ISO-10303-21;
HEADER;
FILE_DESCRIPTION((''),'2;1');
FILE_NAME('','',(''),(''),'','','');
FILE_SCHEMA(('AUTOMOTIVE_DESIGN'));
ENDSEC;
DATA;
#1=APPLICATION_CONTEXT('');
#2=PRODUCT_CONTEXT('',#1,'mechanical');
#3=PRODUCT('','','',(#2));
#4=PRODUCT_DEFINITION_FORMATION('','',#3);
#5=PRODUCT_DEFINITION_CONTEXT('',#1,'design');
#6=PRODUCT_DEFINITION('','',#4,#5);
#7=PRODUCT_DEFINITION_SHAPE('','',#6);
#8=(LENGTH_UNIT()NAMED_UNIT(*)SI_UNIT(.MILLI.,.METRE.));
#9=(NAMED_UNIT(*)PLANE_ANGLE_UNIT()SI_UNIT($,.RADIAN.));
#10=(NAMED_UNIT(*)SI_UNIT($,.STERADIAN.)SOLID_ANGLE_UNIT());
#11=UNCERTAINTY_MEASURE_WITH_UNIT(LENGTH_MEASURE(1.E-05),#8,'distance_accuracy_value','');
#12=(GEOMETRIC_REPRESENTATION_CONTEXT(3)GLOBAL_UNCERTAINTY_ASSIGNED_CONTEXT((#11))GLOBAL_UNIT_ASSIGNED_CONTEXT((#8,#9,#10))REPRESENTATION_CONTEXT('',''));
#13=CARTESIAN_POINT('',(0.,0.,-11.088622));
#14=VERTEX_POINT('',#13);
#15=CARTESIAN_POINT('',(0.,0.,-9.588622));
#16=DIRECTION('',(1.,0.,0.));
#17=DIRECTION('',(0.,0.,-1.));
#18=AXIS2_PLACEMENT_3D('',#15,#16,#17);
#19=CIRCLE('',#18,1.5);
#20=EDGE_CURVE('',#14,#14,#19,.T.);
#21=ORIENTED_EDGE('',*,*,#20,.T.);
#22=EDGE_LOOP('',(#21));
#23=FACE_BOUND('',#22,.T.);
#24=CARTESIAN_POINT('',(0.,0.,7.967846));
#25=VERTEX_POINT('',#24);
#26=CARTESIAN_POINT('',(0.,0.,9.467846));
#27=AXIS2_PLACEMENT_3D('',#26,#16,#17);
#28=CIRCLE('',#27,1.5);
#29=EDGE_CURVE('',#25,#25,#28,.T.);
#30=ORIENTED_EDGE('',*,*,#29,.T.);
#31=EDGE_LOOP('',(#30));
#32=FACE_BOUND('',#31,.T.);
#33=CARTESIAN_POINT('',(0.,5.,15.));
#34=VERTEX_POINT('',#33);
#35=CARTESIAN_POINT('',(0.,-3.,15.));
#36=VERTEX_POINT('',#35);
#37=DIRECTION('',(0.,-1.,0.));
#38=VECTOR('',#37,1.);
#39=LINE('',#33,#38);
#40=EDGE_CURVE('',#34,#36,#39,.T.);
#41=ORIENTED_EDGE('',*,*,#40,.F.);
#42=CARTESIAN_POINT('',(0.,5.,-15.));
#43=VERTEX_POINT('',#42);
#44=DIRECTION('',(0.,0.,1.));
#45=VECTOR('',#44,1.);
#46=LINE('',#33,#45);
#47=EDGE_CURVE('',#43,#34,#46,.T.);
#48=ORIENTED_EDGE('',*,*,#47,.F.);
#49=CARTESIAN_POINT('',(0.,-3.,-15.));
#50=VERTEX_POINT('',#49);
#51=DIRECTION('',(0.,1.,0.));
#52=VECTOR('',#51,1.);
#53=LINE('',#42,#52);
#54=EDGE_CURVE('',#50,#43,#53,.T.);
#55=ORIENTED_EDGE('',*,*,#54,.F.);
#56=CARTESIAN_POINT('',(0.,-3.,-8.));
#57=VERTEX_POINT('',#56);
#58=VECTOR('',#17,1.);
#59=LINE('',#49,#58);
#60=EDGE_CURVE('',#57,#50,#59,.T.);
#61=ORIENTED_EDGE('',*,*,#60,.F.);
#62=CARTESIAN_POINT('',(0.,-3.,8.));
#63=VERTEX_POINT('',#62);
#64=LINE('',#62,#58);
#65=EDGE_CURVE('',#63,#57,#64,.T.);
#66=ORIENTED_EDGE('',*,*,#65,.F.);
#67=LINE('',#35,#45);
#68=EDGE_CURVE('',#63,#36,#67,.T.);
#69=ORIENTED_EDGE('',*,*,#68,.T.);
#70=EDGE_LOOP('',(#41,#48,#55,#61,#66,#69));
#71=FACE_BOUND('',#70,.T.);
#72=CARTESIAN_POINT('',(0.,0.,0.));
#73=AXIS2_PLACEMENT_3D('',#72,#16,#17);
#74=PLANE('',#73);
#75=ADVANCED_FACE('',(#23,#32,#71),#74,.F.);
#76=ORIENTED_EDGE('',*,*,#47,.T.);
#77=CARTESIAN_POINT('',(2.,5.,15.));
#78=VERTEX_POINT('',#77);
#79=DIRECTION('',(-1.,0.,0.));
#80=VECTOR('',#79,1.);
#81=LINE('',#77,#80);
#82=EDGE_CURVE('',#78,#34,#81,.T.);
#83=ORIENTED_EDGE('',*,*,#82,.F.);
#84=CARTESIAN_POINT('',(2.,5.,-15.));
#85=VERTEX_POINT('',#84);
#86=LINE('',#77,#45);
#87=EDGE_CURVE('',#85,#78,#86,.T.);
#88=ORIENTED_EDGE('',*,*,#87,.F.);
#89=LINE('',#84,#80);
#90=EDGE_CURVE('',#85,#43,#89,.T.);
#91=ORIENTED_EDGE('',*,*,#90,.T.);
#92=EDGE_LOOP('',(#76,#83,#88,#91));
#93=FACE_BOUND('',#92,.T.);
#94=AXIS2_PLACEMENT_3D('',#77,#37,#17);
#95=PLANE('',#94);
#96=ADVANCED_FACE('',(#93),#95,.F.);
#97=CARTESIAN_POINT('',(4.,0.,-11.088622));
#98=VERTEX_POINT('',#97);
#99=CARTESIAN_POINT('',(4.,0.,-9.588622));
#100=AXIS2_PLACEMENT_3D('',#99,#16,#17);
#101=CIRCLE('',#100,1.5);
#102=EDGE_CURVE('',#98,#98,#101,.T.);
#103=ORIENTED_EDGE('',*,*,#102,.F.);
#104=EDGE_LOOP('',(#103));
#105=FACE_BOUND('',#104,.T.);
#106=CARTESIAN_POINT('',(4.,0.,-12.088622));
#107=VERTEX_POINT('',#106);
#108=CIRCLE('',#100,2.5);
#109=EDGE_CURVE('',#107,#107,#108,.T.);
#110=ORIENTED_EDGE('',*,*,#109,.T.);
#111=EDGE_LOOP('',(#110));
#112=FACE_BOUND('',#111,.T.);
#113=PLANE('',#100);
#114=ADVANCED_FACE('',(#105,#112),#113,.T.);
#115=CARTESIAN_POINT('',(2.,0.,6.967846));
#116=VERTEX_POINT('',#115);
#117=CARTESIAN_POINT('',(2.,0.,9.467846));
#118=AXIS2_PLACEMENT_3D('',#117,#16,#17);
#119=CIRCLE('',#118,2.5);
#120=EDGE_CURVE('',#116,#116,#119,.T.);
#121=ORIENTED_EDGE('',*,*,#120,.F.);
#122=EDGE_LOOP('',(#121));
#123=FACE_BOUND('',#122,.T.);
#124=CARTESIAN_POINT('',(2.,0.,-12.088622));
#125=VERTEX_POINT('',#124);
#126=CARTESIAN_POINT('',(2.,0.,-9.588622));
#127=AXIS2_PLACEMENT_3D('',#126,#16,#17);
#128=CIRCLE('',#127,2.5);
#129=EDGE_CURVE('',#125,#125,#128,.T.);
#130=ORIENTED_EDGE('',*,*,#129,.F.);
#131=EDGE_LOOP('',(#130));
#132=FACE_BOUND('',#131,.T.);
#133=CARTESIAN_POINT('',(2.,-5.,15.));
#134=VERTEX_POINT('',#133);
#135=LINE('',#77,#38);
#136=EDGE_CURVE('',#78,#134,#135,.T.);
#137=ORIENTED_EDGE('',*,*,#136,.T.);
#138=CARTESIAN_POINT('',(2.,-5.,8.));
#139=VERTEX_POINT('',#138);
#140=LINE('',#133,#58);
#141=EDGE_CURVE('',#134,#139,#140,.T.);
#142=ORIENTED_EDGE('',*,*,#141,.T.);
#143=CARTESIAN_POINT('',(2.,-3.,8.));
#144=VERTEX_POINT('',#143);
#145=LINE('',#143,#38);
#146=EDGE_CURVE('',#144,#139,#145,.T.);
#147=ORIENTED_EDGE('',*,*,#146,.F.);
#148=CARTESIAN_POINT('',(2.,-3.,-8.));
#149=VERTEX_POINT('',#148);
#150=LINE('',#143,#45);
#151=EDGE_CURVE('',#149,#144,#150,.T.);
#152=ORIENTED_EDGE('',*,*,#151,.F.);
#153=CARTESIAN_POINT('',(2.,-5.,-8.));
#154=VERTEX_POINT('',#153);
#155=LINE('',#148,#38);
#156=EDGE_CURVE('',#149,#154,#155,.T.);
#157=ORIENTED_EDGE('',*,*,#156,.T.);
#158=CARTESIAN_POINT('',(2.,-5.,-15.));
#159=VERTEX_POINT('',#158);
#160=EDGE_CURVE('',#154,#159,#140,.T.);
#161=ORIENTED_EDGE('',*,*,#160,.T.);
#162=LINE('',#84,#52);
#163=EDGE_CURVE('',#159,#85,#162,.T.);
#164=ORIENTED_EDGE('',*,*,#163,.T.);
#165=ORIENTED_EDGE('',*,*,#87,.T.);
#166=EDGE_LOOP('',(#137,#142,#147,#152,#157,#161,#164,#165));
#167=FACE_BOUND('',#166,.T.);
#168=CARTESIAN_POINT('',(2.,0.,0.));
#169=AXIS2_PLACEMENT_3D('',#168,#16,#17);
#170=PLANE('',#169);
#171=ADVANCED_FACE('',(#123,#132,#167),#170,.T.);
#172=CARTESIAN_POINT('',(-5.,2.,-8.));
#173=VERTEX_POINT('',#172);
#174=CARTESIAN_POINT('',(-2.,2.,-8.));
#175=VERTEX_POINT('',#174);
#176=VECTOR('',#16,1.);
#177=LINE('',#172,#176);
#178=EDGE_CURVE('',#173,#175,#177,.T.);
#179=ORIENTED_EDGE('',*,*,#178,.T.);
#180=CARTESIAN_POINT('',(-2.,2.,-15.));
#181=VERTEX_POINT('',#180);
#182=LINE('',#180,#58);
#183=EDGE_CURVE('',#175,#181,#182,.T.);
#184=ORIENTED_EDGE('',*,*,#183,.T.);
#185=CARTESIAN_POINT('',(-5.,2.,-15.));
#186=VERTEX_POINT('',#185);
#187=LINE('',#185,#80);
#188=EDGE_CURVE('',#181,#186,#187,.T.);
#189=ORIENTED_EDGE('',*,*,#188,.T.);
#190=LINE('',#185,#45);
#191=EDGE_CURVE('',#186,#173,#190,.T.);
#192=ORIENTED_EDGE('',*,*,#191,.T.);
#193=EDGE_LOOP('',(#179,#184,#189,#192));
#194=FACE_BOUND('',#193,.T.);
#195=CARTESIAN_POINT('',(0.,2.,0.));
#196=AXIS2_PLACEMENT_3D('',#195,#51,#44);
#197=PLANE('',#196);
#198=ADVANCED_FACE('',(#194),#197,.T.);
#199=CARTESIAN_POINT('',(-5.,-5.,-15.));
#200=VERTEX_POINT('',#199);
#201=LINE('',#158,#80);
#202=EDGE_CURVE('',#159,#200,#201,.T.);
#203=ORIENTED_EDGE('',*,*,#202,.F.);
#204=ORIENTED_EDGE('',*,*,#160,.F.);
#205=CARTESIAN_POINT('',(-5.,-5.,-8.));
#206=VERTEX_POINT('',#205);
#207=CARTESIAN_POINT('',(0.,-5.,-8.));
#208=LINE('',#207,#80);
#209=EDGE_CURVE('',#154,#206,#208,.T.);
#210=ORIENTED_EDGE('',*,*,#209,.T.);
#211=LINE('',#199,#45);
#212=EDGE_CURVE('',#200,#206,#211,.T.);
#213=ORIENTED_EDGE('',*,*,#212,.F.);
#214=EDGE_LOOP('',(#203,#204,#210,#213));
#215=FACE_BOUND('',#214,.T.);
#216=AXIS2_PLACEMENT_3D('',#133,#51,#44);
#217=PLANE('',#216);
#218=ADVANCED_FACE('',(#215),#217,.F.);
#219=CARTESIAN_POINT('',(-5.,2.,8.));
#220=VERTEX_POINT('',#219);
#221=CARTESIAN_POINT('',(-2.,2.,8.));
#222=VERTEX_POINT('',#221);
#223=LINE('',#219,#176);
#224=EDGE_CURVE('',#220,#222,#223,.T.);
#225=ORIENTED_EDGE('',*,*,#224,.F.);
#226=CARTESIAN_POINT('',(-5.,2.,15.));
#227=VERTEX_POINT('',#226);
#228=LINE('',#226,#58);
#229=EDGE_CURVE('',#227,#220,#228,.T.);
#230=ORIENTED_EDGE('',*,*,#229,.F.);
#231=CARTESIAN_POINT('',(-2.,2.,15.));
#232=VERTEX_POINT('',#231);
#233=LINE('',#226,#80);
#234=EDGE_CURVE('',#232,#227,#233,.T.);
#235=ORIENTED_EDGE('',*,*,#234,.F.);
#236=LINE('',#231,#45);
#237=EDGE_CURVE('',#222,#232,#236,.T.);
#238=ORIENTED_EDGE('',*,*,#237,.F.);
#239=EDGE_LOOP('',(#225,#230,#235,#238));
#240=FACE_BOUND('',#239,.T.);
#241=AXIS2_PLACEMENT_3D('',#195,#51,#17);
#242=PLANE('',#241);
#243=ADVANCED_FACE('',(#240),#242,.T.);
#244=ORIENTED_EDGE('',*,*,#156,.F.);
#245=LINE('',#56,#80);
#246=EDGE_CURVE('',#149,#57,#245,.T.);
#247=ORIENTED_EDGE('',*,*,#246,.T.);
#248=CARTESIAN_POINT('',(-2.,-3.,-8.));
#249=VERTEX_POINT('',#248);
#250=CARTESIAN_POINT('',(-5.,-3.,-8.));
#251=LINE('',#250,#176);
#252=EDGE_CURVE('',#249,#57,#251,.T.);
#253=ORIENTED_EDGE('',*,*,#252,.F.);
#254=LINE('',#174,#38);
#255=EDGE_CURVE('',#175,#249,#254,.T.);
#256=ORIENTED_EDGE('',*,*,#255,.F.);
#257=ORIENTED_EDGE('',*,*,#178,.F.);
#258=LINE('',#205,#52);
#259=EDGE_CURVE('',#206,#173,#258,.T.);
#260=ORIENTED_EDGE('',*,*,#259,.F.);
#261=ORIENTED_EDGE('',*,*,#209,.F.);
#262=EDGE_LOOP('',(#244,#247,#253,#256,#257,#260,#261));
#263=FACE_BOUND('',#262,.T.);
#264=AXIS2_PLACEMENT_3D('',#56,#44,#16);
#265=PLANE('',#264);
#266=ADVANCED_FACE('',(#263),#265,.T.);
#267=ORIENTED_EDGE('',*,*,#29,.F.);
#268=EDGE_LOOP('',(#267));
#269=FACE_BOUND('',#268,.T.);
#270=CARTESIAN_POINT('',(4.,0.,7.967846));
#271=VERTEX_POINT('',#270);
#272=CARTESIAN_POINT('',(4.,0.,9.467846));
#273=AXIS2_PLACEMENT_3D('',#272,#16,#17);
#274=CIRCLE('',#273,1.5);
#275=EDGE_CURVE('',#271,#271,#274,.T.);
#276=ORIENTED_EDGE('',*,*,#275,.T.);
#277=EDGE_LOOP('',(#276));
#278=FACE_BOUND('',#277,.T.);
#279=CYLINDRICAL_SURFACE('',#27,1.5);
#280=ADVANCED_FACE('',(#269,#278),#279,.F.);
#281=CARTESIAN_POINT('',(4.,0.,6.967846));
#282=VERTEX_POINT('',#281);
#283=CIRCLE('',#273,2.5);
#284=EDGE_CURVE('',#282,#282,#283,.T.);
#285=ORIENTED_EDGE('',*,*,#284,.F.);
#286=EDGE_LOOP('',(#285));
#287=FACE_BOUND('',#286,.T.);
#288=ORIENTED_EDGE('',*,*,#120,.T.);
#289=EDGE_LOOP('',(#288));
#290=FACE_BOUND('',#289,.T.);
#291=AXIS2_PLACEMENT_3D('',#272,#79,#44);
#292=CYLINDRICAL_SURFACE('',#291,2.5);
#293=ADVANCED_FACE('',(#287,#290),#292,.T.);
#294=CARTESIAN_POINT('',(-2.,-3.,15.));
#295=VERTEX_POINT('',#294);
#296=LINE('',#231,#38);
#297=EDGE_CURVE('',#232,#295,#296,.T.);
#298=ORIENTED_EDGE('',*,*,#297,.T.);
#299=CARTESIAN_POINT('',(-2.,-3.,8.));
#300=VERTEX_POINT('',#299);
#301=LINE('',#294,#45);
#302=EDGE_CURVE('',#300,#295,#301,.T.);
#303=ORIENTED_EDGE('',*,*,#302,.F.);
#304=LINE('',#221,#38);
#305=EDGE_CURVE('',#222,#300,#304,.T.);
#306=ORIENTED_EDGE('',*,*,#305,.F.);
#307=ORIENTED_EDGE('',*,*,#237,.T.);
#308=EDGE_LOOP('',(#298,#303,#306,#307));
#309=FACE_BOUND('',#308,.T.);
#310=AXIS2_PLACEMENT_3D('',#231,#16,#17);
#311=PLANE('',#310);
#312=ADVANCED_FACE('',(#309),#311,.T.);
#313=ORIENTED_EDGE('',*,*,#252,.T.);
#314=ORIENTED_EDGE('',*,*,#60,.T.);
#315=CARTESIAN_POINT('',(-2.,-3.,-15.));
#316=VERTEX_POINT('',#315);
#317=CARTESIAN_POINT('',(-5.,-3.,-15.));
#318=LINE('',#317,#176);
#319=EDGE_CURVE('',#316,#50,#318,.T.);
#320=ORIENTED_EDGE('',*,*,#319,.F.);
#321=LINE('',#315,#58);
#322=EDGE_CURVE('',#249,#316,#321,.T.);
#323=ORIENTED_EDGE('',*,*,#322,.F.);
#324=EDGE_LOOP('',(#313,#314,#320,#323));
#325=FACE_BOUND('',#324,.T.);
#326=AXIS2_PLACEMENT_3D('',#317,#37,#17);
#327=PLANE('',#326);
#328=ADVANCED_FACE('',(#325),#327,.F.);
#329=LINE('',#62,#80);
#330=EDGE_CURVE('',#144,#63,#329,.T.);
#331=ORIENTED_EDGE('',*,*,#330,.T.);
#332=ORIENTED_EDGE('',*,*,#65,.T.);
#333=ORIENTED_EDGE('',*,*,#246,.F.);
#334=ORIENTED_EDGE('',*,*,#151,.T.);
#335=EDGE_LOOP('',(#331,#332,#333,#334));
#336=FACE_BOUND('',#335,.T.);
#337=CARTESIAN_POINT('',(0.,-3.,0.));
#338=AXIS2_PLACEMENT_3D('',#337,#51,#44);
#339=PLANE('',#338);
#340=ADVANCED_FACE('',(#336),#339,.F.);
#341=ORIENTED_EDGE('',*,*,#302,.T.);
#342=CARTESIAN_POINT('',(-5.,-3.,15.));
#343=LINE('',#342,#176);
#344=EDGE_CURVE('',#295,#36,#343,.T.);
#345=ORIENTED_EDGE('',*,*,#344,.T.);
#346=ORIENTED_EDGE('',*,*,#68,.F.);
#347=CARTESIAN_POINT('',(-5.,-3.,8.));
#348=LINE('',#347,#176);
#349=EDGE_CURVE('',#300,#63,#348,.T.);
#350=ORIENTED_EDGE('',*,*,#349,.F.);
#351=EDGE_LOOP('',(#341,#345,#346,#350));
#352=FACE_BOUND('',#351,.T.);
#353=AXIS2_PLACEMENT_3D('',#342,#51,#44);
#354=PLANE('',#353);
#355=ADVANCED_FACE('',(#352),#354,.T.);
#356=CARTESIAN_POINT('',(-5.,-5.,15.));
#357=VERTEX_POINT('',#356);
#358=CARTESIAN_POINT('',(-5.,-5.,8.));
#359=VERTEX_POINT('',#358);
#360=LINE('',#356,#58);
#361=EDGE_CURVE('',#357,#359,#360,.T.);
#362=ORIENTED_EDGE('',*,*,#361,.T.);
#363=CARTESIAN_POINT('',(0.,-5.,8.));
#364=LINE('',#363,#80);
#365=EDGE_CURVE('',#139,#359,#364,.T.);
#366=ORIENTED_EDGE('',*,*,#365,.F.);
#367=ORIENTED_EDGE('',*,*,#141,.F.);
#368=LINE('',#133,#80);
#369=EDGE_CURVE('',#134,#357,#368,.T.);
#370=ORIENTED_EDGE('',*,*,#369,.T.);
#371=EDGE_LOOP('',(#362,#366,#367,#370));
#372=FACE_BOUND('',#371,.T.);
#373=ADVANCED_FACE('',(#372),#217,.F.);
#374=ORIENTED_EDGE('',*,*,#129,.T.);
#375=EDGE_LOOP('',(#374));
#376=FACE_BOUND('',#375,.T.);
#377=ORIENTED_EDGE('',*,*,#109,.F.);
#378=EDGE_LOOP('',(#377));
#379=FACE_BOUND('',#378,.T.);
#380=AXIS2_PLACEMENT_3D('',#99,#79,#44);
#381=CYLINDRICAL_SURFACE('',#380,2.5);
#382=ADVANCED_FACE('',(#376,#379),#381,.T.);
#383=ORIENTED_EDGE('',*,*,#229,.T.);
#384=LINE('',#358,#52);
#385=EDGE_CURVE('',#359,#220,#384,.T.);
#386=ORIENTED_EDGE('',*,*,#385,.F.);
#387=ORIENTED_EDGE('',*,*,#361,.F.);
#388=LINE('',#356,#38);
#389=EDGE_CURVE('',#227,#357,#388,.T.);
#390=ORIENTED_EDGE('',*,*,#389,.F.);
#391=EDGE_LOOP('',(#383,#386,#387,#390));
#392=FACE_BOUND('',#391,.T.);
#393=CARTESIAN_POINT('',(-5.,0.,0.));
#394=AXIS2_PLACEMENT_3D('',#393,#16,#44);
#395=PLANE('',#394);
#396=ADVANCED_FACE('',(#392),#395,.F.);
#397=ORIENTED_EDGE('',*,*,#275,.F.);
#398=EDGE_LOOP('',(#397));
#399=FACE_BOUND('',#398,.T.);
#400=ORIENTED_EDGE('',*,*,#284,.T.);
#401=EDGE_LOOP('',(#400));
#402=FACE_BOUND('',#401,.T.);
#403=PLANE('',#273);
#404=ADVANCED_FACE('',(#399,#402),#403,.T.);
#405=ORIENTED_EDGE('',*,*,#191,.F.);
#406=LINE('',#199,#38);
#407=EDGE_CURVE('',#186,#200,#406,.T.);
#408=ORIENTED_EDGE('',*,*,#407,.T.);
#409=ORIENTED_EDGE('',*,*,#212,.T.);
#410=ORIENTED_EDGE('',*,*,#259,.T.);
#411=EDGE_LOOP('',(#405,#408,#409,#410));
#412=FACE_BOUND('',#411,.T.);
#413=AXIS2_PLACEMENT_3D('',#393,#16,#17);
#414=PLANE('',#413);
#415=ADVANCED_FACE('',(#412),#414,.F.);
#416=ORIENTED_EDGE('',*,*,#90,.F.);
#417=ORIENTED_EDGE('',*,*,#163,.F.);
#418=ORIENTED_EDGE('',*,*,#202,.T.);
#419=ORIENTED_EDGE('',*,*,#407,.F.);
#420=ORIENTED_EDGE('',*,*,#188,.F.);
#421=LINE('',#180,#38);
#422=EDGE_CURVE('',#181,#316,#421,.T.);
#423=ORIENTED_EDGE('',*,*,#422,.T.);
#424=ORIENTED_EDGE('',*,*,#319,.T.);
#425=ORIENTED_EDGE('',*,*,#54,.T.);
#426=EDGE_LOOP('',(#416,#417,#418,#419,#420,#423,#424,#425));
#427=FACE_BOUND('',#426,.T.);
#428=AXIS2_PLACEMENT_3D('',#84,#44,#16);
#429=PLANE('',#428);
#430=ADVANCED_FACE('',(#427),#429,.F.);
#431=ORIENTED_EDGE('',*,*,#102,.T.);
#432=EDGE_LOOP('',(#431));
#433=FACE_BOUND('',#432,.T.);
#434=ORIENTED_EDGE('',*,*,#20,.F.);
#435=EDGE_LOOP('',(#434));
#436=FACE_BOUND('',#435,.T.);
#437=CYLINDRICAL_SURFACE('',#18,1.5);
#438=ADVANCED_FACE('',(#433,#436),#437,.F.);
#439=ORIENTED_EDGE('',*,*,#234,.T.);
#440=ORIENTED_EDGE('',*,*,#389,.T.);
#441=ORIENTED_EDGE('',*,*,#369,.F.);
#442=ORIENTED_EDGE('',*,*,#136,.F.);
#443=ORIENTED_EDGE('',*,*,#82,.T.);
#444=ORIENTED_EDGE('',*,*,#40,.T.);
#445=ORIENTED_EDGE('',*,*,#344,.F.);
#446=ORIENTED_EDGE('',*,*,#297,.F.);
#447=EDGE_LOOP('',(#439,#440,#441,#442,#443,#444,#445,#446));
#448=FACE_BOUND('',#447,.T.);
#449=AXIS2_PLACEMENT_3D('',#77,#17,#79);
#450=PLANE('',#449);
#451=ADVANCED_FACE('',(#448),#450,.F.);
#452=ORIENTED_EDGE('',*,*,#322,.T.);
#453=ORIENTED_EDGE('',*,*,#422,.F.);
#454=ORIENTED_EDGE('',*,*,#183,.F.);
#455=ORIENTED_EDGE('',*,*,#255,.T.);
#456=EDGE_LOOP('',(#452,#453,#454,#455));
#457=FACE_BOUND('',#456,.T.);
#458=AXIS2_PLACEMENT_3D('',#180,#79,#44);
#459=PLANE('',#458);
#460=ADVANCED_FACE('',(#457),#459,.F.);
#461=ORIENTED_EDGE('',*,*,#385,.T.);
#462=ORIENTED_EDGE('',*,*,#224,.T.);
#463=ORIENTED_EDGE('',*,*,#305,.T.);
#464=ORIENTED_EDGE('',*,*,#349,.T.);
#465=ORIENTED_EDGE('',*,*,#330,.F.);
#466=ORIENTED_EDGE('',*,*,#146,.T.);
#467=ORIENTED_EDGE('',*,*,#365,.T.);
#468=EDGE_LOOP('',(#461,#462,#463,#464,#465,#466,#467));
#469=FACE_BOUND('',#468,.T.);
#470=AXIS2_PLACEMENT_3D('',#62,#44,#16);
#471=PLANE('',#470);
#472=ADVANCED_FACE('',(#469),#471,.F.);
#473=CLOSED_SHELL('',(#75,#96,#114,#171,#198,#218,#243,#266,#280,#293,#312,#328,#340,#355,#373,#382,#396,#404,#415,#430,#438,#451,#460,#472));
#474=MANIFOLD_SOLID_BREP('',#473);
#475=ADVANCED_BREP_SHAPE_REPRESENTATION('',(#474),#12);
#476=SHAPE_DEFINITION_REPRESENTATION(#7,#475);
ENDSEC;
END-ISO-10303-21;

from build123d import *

# Parameters (mm, degrees)
ESQUISSE1_W             = 30
ESQUISSE1_H             = 10
BOSS_EXTRU_1_DEPTH      = 2
ESQUISSE2_R             = 2.5
BOSS_EXTRU_2_DEPTH      = 2
ESQUISSE3_R             = 1.5
ENL_V_MAT_EXTRU_1_DEPTH = 17.30950643
ESQUISSE4_R             = 1.5
ENL_V_MAT_EXTRU_2_DEPTH = 17.30950643
ESQUISSE7_W             = 2
ESQUISSE7_H             = 8
ENL_V_MAT_EXTRU_3_DEPTH = 2
ESQUISSE8_W             = 7
ESQUISSE8_H             = 2
BOSS_EXTRU_3_DEPTH      = 5
ESQUISSE12_W            = 3
ESQUISSE12_H            = 7
BOSS_EXTRU_4_DEPTH      = 5


with BuildPart() as part:
    # Esquisse1 → Boss.-Extru.1 (new body)
    with BuildSketch(Plane(origin=(0, 0, 0), x_dir=(0, 0, -1), z_dir=(1, 0, 0))):
        Rectangle(ESQUISSE1_W, ESQUISSE1_H)
    extrude(amount=BOSS_EXTRU_1_DEPTH)

    # Esquisse2 → Boss.-Extru.2 (add)
    with BuildSketch(Plane(origin=(2, 0, 0), x_dir=(0, 0, -1), z_dir=(1, 0, 0))):
        with Locations((-9.467846224, 0)):
            Circle(ESQUISSE2_R)
        with Locations((9.588622493, 0)):
            Circle(ESQUISSE2_R)
    extrude(amount=BOSS_EXTRU_2_DEPTH)

    # Esquisse3 → Enlèv. mat.-Extru.1 (cut, through all)
    with BuildSketch(Plane(origin=(4, 0, 0), x_dir=(0, 0, -1), z_dir=(1, 0, 0))):
        with Locations((-9.467846224, 0)):
            Circle(ESQUISSE3_R)
    extrude(amount=-ENL_V_MAT_EXTRU_1_DEPTH, mode=Mode.SUBTRACT)

    # Esquisse4 → Enlèv. mat.-Extru.2 (cut, through all)
    with BuildSketch(Plane(origin=(4, 0, 0), x_dir=(0, 0, -1), z_dir=(1, 0, 0))):
        with Locations((9.588622493, 0)):
            Circle(ESQUISSE4_R)
    extrude(amount=-ENL_V_MAT_EXTRU_2_DEPTH, mode=Mode.SUBTRACT)

    # Esquisse7 → Enlèv. mat.-Extru.3 (cut)
    with BuildSketch(Plane.XZ.offset(5)):
        with Locations((1, 4)):
            Rectangle(ESQUISSE7_W, ESQUISSE7_H)
    enl_v_mat_extru_3 = extrude(amount=-ENL_V_MAT_EXTRU_3_DEPTH, mode=Mode.SUBTRACT)

    # Symétrie1: Enlèv. mat.-Extru.3 across plane
    add(enl_v_mat_extru_3.mirror(Plane.XY), mode=Mode.SUBTRACT)

    # Esquisse8 → Boss.-Extru.3 (add)
    with BuildSketch(Plane.ZY):
        with Locations((-11.5, -4)):
            Rectangle(ESQUISSE8_W, ESQUISSE8_H)
    boss_extru_3 = extrude(amount=BOSS_EXTRU_3_DEPTH)

    # Esquisse12 → Boss.-Extru.4 (add)
    with BuildSketch(Plane(origin=(0, -3, 0), x_dir=(1, 0, 0), z_dir=(0, 1, 0))):
        with Locations((-3.5, 11.5)):
            Rectangle(ESQUISSE12_W, ESQUISSE12_H)
    boss_extru_4 = extrude(amount=BOSS_EXTRU_4_DEPTH)

    # Symétrie2: Boss.-Extru.3, Boss.-Extru.4 across plane
    add(boss_extru_3.mirror(Plane.XY))
    add(boss_extru_4.mirror(Plane.XY))


solid = part.part
